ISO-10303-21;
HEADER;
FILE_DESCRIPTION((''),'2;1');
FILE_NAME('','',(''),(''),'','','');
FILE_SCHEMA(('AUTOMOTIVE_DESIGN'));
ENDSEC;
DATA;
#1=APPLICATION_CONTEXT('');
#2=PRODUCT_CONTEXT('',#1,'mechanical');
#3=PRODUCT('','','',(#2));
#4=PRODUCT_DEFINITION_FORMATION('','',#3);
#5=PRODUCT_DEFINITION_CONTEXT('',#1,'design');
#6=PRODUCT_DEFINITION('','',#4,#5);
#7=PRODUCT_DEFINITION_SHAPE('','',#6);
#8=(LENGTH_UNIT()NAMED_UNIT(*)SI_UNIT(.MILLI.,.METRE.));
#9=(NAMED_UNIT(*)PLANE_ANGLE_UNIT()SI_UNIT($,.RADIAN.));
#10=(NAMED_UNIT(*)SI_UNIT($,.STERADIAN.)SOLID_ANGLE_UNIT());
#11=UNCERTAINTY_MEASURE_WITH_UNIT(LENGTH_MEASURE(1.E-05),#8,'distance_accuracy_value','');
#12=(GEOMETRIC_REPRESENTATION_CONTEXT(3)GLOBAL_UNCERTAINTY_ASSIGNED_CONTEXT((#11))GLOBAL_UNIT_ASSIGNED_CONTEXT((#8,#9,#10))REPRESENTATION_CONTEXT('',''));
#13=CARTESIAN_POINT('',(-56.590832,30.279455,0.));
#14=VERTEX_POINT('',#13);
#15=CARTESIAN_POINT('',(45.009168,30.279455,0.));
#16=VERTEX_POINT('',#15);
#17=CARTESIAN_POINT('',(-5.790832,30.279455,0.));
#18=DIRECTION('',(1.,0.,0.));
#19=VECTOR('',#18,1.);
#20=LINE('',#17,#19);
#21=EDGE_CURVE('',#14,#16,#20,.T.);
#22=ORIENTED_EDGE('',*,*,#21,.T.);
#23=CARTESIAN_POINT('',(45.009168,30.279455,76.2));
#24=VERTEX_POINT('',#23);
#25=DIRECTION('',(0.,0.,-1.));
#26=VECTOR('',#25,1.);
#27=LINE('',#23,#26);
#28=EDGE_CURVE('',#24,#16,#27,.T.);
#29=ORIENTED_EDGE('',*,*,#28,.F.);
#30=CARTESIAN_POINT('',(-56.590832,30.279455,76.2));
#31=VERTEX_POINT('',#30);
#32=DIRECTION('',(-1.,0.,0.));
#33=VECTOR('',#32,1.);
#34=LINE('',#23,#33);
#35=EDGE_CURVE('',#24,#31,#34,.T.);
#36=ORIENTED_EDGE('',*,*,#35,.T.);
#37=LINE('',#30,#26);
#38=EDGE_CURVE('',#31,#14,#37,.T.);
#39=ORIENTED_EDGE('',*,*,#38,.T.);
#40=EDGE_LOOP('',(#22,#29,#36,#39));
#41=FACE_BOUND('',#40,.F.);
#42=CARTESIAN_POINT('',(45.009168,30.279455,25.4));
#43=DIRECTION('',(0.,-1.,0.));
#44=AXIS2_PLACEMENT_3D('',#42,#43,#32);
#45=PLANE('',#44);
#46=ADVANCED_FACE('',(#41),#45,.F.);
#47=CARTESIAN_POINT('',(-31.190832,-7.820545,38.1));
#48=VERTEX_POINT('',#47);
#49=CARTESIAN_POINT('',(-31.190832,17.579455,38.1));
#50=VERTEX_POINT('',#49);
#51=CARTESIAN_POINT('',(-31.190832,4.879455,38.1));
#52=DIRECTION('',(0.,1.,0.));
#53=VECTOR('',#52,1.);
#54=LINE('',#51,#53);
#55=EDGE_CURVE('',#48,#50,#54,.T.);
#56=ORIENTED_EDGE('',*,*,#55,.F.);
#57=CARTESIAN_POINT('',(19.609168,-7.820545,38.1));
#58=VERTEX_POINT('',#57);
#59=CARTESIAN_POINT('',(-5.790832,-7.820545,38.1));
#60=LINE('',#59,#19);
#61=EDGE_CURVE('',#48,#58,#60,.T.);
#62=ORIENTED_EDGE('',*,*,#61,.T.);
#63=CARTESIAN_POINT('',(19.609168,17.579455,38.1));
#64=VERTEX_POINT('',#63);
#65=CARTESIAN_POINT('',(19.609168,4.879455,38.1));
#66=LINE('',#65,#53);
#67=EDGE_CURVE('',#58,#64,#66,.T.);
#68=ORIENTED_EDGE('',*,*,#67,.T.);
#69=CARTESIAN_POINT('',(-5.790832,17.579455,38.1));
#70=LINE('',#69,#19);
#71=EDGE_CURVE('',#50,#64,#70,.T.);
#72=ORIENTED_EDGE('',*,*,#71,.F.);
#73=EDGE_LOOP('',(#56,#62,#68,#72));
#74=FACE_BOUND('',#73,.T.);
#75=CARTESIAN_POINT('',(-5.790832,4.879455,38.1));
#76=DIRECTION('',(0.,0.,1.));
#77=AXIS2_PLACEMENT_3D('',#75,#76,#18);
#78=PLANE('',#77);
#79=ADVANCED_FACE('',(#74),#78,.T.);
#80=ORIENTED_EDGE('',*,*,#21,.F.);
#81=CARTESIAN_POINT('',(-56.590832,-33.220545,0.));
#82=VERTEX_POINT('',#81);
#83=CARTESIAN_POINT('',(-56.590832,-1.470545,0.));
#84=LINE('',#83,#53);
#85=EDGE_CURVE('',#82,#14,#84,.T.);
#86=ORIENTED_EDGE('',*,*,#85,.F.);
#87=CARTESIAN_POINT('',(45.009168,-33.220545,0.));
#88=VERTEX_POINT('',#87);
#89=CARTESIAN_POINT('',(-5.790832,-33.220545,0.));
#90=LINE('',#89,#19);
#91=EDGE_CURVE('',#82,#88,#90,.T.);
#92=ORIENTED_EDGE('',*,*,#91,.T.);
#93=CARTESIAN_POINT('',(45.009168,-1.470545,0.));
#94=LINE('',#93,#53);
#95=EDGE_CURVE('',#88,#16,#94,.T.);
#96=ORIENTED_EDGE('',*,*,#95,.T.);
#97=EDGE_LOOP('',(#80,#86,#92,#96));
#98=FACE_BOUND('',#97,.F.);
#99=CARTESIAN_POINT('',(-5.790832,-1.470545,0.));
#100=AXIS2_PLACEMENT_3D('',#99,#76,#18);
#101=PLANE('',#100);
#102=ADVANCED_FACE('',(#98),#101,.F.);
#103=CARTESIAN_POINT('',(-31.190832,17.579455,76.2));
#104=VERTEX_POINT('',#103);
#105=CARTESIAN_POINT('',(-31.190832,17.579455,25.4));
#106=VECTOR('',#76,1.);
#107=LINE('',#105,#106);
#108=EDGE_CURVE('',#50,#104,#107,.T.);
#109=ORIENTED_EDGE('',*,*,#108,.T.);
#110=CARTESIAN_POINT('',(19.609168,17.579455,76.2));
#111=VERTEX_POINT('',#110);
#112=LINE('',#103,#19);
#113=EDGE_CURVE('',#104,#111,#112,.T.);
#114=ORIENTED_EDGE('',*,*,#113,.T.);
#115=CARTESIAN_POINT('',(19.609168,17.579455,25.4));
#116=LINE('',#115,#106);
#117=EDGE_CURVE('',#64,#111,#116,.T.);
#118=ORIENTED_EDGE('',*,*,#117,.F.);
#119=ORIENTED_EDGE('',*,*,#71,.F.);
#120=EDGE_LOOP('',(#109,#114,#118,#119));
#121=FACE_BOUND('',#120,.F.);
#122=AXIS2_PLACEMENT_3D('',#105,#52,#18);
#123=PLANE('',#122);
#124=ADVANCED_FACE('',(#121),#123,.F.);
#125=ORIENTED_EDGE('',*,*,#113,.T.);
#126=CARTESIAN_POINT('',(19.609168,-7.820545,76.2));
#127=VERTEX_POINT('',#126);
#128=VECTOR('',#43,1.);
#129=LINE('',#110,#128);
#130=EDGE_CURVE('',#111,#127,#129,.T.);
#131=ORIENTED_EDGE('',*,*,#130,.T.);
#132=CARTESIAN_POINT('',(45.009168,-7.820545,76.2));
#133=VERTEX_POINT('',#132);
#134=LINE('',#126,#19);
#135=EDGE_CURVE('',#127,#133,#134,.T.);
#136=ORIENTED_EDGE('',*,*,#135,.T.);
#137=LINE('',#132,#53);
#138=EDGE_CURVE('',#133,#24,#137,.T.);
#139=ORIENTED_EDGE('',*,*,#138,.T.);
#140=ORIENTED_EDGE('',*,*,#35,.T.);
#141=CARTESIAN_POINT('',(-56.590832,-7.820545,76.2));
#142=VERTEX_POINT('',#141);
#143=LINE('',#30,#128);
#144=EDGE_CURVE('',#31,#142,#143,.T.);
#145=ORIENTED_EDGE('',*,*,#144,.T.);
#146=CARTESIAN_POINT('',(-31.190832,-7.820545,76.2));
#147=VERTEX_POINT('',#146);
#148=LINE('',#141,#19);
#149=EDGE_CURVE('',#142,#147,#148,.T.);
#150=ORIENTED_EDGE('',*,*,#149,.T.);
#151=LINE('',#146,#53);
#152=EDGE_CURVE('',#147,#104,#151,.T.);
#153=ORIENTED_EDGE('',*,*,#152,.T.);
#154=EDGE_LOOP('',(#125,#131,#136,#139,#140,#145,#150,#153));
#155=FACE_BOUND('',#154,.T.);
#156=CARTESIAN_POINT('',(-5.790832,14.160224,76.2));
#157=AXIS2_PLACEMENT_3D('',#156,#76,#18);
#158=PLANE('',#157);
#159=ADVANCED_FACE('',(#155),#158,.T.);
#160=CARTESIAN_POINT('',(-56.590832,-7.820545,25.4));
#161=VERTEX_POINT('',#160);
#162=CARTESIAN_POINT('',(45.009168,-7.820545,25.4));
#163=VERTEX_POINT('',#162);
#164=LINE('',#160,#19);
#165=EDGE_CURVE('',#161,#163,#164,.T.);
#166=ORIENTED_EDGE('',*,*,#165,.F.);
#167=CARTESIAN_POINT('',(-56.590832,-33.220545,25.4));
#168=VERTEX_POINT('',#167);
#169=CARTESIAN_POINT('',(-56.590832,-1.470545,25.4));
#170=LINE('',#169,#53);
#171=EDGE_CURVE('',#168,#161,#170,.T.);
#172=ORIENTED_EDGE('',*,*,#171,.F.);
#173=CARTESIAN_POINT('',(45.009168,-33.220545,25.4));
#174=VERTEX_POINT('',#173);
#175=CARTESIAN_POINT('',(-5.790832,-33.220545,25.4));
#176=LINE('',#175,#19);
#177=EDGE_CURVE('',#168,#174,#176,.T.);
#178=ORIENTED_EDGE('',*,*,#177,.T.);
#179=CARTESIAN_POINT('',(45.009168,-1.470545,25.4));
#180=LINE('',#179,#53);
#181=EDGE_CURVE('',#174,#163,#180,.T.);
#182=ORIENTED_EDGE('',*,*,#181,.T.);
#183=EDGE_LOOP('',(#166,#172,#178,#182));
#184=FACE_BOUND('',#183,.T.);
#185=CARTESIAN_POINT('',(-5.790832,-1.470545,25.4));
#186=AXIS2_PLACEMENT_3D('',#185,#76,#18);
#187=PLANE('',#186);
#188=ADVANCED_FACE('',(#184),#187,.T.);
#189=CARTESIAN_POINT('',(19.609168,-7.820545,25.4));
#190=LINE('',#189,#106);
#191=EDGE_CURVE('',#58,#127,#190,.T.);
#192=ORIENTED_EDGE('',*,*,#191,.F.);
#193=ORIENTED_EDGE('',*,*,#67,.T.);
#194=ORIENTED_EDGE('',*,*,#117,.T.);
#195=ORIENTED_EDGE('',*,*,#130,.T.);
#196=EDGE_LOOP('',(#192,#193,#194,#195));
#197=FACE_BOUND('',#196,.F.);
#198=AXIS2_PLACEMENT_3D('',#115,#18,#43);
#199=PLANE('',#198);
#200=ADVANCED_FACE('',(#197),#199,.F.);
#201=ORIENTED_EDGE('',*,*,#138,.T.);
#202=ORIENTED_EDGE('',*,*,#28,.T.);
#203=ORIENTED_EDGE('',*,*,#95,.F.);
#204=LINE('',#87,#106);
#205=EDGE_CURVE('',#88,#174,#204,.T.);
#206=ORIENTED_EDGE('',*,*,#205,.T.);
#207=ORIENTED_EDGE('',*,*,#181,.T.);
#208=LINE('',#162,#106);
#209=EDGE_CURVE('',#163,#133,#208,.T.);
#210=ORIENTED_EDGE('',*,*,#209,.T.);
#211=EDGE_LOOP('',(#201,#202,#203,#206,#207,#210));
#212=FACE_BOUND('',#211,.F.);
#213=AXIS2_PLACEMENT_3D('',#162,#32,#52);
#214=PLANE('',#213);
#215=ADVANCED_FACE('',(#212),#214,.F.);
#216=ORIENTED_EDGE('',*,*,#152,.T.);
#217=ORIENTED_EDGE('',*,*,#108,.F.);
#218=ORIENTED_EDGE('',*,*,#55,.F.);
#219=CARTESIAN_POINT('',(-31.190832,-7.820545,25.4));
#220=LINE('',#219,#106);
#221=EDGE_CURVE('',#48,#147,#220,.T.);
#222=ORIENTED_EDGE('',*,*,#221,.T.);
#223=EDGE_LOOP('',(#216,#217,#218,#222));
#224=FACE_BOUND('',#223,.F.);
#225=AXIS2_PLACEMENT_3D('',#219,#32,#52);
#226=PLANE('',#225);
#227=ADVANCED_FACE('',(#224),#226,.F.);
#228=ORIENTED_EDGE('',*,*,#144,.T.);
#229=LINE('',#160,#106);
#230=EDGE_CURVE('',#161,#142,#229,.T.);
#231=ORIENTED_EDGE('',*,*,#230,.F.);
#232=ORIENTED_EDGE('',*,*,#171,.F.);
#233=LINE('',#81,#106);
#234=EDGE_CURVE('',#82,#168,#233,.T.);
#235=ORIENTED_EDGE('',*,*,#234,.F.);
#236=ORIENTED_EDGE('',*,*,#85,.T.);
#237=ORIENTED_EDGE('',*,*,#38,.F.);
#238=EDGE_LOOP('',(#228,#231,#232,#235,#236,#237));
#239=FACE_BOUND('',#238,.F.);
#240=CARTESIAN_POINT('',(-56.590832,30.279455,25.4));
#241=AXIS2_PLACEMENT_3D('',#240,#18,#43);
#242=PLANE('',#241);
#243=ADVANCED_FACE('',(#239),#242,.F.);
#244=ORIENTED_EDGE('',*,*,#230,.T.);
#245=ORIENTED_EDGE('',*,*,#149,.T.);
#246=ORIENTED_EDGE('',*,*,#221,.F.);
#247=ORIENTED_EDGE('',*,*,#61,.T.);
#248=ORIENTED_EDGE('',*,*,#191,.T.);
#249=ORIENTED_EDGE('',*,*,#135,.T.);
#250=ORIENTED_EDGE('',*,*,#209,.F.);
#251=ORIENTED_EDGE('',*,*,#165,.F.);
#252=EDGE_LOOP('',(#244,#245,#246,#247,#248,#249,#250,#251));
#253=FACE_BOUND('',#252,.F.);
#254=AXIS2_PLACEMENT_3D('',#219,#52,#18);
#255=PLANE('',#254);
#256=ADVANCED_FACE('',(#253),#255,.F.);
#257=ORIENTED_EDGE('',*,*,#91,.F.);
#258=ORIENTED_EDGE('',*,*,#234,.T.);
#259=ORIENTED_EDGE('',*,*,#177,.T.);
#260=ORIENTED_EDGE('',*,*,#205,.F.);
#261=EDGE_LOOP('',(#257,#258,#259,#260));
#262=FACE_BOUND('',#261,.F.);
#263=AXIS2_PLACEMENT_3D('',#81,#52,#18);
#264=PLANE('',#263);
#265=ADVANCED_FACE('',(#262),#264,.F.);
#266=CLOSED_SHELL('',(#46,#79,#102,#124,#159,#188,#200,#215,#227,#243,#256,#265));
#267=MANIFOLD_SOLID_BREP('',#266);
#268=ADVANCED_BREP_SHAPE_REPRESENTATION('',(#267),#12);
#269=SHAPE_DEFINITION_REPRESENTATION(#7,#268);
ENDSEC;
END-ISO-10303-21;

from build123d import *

# Parameters (mm, degrees)
F0_W     = 101.6
F0_H     = 63.5
F1_DEPTH = 25.4
F3_DEPTH = 50.8
F2_W     = 50.8
F2_H     = 25.4
F4_DEPTH = 12.7


with BuildPart() as f1:
    # F0 (on Top) → F1 (new body)
    with BuildSketch(Plane.XY):
        with Locations((-5.790832, -1.470545)):
            Rectangle(F0_W, F0_H)
    extrude(amount=F1_DEPTH)

    # F2 (on face) → F3 (join)
    with BuildSketch(Plane.XY.offset(25.4)):
        Polygon((-56.590832, 30.279455), (-56.590832, -7.820545), (-31.190832, -7.820545), (-31.190832, 17.579455), (19.609168, 17.579455), (19.609168, -7.820545), (45.009168, -7.820545), (45.009168, 30.279455), align=None)
    extrude(amount=F3_DEPTH)

    # F2 (on face) → F4 (join)
    with BuildSketch(Plane.XY.offset(25.4)):
        with Locations((-5.790832, 4.879455)):
            Rectangle(F2_W, F2_H)
    extrude(amount=F4_DEPTH)


solid = f1.part
